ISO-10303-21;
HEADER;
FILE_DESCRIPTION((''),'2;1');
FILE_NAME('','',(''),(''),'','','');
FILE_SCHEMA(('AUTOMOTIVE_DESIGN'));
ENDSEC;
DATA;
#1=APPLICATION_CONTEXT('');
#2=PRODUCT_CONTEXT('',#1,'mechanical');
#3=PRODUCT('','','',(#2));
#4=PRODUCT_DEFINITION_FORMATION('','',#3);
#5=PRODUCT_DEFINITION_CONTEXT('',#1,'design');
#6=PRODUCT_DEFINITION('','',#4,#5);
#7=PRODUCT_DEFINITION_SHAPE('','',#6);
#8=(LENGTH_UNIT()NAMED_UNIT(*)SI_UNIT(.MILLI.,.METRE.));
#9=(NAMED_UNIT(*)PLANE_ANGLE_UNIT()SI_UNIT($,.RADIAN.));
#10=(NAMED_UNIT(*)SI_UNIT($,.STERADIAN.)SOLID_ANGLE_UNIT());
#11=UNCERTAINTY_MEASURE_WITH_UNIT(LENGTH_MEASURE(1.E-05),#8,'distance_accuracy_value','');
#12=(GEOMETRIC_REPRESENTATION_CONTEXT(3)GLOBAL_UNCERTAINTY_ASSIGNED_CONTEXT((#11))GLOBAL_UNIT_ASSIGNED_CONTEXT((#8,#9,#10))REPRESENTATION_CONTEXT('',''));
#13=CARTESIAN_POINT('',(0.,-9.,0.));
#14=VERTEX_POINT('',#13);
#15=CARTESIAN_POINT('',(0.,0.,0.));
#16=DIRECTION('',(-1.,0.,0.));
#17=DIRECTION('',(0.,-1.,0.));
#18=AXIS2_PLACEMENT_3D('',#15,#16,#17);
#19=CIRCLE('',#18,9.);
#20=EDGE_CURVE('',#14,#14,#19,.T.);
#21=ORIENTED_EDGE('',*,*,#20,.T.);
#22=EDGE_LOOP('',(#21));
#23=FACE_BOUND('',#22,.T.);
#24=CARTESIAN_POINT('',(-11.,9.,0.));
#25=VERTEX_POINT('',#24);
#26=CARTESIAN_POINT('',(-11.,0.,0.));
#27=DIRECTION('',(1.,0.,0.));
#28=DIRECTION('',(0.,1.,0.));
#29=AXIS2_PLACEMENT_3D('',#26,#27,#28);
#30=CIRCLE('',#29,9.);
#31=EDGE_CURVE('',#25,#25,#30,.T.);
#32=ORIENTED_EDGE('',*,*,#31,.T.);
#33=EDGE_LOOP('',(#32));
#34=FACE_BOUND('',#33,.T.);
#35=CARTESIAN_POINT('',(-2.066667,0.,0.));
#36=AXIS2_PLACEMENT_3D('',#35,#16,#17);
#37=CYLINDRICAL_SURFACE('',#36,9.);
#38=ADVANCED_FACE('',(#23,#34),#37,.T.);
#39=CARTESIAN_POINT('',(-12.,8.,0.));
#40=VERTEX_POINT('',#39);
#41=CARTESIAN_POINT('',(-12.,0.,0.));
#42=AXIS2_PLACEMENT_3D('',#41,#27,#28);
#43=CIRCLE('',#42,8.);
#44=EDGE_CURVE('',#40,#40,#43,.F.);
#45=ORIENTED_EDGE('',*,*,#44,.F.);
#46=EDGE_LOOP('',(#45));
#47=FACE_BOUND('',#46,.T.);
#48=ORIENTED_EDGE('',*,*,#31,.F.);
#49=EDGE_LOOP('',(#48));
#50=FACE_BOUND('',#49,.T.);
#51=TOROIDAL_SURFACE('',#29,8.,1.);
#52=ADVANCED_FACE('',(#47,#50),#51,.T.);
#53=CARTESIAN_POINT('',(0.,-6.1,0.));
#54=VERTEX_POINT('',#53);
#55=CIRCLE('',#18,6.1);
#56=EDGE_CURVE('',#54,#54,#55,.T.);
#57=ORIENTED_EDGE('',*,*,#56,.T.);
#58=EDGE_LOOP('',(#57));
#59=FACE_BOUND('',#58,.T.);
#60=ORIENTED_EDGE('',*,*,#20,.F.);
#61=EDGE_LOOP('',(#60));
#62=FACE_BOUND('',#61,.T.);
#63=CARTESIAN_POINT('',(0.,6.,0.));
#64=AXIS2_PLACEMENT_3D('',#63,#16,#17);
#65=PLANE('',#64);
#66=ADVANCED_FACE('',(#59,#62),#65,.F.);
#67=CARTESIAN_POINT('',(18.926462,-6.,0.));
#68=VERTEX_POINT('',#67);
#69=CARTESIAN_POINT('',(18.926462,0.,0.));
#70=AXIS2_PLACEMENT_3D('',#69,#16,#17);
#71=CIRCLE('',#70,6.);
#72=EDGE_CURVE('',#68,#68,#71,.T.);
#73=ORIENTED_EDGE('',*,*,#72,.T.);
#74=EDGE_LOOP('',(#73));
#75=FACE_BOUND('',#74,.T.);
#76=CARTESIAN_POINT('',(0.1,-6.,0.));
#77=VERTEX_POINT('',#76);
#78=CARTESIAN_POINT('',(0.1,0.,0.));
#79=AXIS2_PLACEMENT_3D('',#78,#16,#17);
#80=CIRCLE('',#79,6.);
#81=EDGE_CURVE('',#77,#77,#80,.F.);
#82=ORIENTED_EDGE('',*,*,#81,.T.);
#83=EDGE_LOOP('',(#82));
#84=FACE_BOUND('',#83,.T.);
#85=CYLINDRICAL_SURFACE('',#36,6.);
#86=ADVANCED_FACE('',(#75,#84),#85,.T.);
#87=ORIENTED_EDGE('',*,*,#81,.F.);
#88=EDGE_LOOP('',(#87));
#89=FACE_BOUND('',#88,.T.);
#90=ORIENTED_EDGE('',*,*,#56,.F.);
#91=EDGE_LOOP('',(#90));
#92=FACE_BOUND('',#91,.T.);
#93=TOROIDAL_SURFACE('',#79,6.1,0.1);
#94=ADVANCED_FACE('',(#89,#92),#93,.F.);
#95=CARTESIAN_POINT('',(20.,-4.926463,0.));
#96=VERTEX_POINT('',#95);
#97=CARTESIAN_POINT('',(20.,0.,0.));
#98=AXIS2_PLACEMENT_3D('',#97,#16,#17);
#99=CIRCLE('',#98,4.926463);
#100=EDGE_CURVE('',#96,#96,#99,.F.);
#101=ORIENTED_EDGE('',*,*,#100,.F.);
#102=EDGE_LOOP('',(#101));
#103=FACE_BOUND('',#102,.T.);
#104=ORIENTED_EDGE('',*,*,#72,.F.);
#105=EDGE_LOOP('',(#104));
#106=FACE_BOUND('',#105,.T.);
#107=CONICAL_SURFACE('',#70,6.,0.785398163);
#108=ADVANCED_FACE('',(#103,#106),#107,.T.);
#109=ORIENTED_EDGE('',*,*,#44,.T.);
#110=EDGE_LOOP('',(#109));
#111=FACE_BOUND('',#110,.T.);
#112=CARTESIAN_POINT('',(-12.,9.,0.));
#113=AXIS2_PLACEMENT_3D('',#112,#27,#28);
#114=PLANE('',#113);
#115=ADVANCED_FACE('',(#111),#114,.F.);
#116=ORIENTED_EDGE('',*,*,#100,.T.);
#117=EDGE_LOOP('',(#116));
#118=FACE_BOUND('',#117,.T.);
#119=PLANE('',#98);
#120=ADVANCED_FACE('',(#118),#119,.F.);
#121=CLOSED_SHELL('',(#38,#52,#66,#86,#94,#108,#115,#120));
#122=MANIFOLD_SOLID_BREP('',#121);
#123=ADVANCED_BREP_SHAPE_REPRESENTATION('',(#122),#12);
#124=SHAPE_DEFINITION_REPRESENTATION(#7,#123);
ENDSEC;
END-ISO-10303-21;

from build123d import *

# Parameters (mm, degrees)
EXTRUDE_562_REACH = 36.438
SKETCH_2_R        = 5.773502692
FILLET_616_R      = 1
CHAMFER_1_SIZE    = 1.0735375
FILLET_2_R        = 0.1


with BuildPart() as part:
    # 草圖1 → Revolve 435 (revolve)
    with BuildSketch(Plane.XY, mode=Mode.PRIVATE) as revolve_435_sk:
        Polygon((-2.066666667, 0), (20, 0), (20, 6), (4.3, 6), (3.2263625, 6), (0, 6), (0, 9), (-12, 9), (-12, 5.773502692), (-5.4, 5.773502692), align=None)
    revolve(revolve_435_sk.sketch.rotate(Axis((-2.066666667, 0, 0), (1, 0, 0)), 180), axis=Axis((-2.066666667, 0, 0), (1, 0, 0)))

    # 草圖2 → Extrude 562 (add, up to next)
    with BuildSketch(Plane.ZY.offset(12), mode=Mode.PRIVATE) as extrude_562_sk1:
        Circle(SKETCH_2_R)
    extrude_562_tool1 = extrude(extrude_562_sk1.sketch, amount=-EXTRUDE_562_REACH, mode=Mode.PRIVATE) - part.part
    # 草圖2 → Extrude 562 (add, up to next)
    with BuildSketch(Plane.ZY.offset(12), mode=Mode.PRIVATE) as extrude_562_sk2:
        Polygon((5.773502692, 0), (2.886751346, -5), (-2.886751346, -5), (-5.773502692, 0), (-2.886751346, 5), (2.886751346, 5), align=None)
    extrude_562_tool2 = extrude(extrude_562_sk2.sketch, amount=-EXTRUDE_562_REACH, mode=Mode.PRIVATE) - part.part
    add(extrude_562_tool1.solids().sort_by_distance((-12, 0, 0))[0])
    add(extrude_562_tool2.solids().sort_by_distance((-12, 0, 0))[0])

    # Fillet 616
    fillet_616_edges = [part.edges().sort_by_distance(p)[0] for p in [
        (-12, 9, 0),
    ]]
    fillet(fillet_616_edges, radius=FILLET_616_R)

    # 倒角1
    chamfer_1_edges = [part.edges().sort_by_distance(p)[0] for p in [
        (20, 6, 0),
    ]]
    chamfer(chamfer_1_edges, length=CHAMFER_1_SIZE)

    # 圓角2
    fillet_2_edges = [part.edges().sort_by_distance(p)[0] for p in [
        (0, 6, 0),
    ]]
    fillet(fillet_2_edges, radius=FILLET_2_R)


solid = part.part
